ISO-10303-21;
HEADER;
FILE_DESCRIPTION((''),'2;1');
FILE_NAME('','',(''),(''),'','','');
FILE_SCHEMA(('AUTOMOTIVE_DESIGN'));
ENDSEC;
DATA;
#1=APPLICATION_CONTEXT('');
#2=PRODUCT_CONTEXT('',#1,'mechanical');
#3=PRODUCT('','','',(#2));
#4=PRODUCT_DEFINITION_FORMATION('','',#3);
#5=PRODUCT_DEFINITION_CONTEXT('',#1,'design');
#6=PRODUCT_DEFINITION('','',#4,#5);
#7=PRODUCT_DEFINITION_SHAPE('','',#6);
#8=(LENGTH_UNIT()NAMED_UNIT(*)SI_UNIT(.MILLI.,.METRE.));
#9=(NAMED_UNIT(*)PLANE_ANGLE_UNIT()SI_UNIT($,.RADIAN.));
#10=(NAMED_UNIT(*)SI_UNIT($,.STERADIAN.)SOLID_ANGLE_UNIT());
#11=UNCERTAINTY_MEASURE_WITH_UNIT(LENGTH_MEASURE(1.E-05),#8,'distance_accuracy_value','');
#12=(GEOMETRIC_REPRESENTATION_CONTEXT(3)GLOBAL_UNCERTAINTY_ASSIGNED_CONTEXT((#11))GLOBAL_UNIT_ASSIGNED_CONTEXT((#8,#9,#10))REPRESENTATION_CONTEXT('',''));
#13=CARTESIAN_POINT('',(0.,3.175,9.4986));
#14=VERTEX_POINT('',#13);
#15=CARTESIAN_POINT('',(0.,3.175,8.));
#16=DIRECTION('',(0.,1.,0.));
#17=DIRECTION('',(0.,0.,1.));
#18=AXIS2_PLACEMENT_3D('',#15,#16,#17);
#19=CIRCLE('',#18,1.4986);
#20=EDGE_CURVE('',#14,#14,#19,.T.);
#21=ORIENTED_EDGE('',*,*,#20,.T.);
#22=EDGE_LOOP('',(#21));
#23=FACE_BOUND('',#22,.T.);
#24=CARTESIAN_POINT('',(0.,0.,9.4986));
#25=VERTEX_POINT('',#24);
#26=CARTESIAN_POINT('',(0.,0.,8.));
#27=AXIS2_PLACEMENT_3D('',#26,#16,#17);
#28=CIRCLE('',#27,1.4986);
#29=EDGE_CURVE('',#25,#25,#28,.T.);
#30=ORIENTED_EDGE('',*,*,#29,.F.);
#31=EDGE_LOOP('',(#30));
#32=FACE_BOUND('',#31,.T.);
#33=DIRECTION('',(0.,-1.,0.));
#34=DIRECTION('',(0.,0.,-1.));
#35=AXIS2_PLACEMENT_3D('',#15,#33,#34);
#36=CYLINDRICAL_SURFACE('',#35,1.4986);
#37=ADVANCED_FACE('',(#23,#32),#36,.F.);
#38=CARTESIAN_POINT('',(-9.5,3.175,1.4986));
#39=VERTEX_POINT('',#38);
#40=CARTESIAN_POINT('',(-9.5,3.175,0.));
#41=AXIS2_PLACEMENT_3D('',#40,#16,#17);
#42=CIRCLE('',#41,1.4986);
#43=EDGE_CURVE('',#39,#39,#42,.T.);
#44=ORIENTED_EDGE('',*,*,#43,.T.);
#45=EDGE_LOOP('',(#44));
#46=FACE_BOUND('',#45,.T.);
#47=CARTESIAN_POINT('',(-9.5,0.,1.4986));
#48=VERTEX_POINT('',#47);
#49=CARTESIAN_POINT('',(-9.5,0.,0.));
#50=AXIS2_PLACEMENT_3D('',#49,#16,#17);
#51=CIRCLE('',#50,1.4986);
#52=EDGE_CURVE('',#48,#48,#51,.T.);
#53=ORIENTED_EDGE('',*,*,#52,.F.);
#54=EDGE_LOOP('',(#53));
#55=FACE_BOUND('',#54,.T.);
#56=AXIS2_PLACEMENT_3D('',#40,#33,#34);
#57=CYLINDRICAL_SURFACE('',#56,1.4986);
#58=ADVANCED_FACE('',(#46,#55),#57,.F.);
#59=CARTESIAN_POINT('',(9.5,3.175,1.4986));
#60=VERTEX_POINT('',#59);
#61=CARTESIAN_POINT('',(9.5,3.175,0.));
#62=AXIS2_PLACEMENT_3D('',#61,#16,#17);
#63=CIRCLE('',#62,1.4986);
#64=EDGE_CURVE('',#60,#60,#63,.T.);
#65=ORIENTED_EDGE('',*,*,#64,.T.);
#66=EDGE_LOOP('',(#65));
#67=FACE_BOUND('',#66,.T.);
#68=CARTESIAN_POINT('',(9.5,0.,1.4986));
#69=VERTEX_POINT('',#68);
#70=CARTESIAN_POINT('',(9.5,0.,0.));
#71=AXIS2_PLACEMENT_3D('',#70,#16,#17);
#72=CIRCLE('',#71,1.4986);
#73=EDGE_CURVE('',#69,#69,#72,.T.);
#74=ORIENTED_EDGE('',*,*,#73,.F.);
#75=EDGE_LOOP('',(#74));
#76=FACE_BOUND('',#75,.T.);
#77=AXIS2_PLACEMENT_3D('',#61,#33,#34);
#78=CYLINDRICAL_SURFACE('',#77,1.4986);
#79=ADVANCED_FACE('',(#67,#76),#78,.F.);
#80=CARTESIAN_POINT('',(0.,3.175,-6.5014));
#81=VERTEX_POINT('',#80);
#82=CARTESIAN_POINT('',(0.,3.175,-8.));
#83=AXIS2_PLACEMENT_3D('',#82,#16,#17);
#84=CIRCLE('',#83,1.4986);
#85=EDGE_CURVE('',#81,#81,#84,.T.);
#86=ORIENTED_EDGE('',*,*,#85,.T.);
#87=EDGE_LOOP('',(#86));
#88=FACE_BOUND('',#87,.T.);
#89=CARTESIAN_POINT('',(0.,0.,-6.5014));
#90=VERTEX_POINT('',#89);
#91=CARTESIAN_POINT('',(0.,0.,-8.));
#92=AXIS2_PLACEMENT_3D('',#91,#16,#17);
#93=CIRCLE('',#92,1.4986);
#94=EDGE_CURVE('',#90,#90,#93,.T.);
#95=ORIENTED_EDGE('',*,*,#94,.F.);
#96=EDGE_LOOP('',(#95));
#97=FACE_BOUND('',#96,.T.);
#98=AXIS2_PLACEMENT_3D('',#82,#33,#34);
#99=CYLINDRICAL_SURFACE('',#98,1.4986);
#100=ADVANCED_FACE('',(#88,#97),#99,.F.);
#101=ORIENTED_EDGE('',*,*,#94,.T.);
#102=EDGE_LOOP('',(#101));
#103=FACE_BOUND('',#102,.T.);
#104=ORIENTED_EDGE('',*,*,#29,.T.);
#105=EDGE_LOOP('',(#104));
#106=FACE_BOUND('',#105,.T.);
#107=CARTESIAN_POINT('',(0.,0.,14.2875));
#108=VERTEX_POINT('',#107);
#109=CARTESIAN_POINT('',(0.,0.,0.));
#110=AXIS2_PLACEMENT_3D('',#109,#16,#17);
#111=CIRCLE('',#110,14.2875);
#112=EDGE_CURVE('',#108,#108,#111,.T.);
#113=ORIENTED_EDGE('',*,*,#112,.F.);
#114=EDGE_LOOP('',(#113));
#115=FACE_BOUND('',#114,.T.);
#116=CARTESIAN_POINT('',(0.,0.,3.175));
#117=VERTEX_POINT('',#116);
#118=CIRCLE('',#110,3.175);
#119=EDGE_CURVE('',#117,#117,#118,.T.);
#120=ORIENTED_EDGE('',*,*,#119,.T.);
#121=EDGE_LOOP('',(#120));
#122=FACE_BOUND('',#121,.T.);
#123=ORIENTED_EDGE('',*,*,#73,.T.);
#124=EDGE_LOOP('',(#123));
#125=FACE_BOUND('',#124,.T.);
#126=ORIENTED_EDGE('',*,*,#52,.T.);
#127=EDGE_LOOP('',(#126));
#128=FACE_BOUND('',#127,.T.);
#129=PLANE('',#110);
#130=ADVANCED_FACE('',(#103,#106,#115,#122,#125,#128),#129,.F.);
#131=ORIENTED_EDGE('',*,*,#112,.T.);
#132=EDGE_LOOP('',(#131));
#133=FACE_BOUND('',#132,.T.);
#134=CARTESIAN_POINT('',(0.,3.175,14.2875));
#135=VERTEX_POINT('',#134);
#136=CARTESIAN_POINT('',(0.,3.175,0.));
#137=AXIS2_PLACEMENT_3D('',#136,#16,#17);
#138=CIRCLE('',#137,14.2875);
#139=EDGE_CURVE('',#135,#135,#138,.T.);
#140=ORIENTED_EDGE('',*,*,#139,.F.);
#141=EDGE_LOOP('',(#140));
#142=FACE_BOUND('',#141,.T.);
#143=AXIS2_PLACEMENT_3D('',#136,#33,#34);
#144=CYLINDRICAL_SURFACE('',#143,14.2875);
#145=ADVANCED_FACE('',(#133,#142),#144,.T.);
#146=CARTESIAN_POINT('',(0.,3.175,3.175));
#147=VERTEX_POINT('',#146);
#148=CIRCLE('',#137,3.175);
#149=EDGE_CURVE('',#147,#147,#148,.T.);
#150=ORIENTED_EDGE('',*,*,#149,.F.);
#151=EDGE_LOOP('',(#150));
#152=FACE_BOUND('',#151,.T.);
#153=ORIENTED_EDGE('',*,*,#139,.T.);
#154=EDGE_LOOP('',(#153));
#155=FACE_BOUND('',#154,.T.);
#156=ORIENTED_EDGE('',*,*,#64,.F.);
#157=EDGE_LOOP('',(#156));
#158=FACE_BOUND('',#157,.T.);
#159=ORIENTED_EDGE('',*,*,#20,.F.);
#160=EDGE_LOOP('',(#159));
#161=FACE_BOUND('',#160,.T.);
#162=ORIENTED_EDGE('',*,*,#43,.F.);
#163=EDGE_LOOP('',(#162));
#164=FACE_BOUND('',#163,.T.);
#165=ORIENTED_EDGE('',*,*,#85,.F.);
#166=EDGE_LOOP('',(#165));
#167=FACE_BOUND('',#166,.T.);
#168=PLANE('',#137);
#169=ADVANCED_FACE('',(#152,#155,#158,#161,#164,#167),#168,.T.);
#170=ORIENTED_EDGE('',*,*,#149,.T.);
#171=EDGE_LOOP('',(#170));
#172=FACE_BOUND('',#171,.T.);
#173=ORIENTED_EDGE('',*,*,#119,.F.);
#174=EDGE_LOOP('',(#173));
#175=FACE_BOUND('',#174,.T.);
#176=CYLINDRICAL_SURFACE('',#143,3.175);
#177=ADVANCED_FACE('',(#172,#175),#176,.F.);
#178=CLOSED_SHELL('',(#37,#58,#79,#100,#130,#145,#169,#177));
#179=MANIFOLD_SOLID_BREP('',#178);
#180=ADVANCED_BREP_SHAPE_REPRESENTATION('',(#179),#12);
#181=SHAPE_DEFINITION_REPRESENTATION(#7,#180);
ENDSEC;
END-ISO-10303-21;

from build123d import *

# Parameters (mm, degrees)
SKETCH1_R           = 14.2875
SKETCH1_R_2         = 1.4986
SKETCH1_R_3         = 3.175
BOSS_EXTRUDE1_DEPTH = 3.175


with BuildPart() as part:
    # Sketch1 → Boss-Extrude1 (new body)
    with BuildSketch(Plane(origin=(0, 0, 0), x_dir=(1, 0, 0), z_dir=(0, 1, 0))):
        Circle(SKETCH1_R)
        with Locations((0, 8)):
            Circle(SKETCH1_R_2, mode=Mode.SUBTRACT)
        with Locations((9.5, 0)):
            Circle(SKETCH1_R_2, mode=Mode.SUBTRACT)
        with Locations((0, -8)):
            Circle(SKETCH1_R_2, mode=Mode.SUBTRACT)
        with Locations((-9.5, 0)):
            Circle(SKETCH1_R_2, mode=Mode.SUBTRACT)
        Circle(SKETCH1_R_3, mode=Mode.SUBTRACT)
    extrude(amount=BOSS_EXTRUDE1_DEPTH)


solid = part.part
